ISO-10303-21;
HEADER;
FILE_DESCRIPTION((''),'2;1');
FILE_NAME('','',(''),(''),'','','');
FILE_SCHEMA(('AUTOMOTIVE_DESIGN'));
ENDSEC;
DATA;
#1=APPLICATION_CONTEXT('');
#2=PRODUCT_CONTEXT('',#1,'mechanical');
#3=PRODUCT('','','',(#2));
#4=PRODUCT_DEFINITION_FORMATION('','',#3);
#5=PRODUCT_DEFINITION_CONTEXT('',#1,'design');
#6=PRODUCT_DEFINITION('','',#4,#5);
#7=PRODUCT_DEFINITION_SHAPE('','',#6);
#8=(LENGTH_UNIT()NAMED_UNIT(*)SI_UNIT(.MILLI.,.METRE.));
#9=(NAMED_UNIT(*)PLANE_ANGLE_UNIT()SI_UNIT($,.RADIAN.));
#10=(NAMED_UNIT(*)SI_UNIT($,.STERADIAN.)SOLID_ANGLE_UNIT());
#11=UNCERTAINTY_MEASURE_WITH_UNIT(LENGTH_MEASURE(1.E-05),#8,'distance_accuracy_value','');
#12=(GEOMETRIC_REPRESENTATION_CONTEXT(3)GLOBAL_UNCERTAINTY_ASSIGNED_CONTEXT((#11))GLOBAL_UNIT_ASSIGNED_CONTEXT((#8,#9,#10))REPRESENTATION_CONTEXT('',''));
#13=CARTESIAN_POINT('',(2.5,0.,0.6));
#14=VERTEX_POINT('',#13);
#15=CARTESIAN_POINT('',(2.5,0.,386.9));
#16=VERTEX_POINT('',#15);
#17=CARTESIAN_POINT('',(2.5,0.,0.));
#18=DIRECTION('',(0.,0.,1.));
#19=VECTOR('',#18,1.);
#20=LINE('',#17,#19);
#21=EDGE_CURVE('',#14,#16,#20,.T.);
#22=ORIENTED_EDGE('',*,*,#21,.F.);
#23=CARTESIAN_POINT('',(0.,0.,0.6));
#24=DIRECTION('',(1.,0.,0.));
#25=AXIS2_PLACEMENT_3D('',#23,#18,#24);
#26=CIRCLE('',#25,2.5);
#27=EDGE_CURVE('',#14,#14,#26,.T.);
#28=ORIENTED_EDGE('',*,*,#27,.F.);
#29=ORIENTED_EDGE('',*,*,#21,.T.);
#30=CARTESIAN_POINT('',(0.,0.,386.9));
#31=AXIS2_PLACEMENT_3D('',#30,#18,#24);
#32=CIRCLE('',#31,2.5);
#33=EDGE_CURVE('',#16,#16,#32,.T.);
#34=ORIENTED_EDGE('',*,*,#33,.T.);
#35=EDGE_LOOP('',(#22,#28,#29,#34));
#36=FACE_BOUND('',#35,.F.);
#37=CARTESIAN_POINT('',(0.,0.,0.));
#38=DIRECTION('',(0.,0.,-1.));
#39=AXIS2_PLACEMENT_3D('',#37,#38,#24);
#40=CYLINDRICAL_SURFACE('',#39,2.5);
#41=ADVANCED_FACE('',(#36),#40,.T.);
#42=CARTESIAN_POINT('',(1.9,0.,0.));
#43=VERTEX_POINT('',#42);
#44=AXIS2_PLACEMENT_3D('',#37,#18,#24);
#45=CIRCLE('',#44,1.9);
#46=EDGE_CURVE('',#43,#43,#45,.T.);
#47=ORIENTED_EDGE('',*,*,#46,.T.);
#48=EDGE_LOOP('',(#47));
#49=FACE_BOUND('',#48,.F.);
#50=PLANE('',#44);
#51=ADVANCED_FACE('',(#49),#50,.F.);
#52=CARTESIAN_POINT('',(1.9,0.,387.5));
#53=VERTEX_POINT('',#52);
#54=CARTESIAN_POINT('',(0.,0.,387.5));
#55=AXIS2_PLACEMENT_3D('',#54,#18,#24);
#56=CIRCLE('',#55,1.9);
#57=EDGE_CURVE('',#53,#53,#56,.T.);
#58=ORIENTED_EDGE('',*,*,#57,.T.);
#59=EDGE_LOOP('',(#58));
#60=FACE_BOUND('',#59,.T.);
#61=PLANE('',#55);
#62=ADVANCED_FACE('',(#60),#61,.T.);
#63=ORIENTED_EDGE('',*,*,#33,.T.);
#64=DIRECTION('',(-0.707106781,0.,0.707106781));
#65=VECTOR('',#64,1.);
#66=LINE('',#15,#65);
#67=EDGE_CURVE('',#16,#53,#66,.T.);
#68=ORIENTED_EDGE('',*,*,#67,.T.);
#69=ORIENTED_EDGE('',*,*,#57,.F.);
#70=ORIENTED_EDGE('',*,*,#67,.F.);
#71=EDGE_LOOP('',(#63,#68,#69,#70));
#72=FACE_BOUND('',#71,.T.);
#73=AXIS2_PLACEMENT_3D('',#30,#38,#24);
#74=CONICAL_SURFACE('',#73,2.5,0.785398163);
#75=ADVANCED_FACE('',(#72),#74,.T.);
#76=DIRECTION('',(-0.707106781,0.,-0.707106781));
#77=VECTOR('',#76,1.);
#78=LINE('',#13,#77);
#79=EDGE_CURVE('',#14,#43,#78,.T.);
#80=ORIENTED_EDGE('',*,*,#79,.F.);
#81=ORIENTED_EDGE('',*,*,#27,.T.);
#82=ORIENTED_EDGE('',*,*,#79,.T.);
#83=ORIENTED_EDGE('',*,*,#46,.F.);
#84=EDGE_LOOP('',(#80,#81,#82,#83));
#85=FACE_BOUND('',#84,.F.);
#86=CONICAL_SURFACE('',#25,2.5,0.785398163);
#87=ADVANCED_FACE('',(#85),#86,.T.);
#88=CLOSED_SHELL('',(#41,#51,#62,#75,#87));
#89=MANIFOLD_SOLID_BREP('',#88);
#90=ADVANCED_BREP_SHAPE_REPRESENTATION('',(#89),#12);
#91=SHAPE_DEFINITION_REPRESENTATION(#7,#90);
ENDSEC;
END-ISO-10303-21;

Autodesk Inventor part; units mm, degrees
ref_plane "YZ Plane" through (0, 0, 0) normal (1, 0, 0) x (0, 1, 0)
ref_plane "XZ Plane" through (0, 0, 0) normal (0, 1, 0) x (-1, 0, 0)
ref_plane "XY Plane" through (0, 0, 0) normal (0, 0, 1) x (1, 0, 0)
sketch "Sketch1" plane through (0, 0, 0) normal (0, 0, 1) x (1, 0, 0)
  circle A0 centre (0, 0) radius 2.5
  dimension "d0" = 5
extrude "Extrusion1" add sketch "Sketch1" along normal blind 387.5
chamfer "Chamfer1" distance 0.6 angle 45 2 edges at (-2.5, 0, 387.5) (-2.5, 0, 0)
thread "Thread1" size "M5x0.8" class "6g" standard "ANSI Metric M Profile" full length
properties part number "z_threaded_rod"
